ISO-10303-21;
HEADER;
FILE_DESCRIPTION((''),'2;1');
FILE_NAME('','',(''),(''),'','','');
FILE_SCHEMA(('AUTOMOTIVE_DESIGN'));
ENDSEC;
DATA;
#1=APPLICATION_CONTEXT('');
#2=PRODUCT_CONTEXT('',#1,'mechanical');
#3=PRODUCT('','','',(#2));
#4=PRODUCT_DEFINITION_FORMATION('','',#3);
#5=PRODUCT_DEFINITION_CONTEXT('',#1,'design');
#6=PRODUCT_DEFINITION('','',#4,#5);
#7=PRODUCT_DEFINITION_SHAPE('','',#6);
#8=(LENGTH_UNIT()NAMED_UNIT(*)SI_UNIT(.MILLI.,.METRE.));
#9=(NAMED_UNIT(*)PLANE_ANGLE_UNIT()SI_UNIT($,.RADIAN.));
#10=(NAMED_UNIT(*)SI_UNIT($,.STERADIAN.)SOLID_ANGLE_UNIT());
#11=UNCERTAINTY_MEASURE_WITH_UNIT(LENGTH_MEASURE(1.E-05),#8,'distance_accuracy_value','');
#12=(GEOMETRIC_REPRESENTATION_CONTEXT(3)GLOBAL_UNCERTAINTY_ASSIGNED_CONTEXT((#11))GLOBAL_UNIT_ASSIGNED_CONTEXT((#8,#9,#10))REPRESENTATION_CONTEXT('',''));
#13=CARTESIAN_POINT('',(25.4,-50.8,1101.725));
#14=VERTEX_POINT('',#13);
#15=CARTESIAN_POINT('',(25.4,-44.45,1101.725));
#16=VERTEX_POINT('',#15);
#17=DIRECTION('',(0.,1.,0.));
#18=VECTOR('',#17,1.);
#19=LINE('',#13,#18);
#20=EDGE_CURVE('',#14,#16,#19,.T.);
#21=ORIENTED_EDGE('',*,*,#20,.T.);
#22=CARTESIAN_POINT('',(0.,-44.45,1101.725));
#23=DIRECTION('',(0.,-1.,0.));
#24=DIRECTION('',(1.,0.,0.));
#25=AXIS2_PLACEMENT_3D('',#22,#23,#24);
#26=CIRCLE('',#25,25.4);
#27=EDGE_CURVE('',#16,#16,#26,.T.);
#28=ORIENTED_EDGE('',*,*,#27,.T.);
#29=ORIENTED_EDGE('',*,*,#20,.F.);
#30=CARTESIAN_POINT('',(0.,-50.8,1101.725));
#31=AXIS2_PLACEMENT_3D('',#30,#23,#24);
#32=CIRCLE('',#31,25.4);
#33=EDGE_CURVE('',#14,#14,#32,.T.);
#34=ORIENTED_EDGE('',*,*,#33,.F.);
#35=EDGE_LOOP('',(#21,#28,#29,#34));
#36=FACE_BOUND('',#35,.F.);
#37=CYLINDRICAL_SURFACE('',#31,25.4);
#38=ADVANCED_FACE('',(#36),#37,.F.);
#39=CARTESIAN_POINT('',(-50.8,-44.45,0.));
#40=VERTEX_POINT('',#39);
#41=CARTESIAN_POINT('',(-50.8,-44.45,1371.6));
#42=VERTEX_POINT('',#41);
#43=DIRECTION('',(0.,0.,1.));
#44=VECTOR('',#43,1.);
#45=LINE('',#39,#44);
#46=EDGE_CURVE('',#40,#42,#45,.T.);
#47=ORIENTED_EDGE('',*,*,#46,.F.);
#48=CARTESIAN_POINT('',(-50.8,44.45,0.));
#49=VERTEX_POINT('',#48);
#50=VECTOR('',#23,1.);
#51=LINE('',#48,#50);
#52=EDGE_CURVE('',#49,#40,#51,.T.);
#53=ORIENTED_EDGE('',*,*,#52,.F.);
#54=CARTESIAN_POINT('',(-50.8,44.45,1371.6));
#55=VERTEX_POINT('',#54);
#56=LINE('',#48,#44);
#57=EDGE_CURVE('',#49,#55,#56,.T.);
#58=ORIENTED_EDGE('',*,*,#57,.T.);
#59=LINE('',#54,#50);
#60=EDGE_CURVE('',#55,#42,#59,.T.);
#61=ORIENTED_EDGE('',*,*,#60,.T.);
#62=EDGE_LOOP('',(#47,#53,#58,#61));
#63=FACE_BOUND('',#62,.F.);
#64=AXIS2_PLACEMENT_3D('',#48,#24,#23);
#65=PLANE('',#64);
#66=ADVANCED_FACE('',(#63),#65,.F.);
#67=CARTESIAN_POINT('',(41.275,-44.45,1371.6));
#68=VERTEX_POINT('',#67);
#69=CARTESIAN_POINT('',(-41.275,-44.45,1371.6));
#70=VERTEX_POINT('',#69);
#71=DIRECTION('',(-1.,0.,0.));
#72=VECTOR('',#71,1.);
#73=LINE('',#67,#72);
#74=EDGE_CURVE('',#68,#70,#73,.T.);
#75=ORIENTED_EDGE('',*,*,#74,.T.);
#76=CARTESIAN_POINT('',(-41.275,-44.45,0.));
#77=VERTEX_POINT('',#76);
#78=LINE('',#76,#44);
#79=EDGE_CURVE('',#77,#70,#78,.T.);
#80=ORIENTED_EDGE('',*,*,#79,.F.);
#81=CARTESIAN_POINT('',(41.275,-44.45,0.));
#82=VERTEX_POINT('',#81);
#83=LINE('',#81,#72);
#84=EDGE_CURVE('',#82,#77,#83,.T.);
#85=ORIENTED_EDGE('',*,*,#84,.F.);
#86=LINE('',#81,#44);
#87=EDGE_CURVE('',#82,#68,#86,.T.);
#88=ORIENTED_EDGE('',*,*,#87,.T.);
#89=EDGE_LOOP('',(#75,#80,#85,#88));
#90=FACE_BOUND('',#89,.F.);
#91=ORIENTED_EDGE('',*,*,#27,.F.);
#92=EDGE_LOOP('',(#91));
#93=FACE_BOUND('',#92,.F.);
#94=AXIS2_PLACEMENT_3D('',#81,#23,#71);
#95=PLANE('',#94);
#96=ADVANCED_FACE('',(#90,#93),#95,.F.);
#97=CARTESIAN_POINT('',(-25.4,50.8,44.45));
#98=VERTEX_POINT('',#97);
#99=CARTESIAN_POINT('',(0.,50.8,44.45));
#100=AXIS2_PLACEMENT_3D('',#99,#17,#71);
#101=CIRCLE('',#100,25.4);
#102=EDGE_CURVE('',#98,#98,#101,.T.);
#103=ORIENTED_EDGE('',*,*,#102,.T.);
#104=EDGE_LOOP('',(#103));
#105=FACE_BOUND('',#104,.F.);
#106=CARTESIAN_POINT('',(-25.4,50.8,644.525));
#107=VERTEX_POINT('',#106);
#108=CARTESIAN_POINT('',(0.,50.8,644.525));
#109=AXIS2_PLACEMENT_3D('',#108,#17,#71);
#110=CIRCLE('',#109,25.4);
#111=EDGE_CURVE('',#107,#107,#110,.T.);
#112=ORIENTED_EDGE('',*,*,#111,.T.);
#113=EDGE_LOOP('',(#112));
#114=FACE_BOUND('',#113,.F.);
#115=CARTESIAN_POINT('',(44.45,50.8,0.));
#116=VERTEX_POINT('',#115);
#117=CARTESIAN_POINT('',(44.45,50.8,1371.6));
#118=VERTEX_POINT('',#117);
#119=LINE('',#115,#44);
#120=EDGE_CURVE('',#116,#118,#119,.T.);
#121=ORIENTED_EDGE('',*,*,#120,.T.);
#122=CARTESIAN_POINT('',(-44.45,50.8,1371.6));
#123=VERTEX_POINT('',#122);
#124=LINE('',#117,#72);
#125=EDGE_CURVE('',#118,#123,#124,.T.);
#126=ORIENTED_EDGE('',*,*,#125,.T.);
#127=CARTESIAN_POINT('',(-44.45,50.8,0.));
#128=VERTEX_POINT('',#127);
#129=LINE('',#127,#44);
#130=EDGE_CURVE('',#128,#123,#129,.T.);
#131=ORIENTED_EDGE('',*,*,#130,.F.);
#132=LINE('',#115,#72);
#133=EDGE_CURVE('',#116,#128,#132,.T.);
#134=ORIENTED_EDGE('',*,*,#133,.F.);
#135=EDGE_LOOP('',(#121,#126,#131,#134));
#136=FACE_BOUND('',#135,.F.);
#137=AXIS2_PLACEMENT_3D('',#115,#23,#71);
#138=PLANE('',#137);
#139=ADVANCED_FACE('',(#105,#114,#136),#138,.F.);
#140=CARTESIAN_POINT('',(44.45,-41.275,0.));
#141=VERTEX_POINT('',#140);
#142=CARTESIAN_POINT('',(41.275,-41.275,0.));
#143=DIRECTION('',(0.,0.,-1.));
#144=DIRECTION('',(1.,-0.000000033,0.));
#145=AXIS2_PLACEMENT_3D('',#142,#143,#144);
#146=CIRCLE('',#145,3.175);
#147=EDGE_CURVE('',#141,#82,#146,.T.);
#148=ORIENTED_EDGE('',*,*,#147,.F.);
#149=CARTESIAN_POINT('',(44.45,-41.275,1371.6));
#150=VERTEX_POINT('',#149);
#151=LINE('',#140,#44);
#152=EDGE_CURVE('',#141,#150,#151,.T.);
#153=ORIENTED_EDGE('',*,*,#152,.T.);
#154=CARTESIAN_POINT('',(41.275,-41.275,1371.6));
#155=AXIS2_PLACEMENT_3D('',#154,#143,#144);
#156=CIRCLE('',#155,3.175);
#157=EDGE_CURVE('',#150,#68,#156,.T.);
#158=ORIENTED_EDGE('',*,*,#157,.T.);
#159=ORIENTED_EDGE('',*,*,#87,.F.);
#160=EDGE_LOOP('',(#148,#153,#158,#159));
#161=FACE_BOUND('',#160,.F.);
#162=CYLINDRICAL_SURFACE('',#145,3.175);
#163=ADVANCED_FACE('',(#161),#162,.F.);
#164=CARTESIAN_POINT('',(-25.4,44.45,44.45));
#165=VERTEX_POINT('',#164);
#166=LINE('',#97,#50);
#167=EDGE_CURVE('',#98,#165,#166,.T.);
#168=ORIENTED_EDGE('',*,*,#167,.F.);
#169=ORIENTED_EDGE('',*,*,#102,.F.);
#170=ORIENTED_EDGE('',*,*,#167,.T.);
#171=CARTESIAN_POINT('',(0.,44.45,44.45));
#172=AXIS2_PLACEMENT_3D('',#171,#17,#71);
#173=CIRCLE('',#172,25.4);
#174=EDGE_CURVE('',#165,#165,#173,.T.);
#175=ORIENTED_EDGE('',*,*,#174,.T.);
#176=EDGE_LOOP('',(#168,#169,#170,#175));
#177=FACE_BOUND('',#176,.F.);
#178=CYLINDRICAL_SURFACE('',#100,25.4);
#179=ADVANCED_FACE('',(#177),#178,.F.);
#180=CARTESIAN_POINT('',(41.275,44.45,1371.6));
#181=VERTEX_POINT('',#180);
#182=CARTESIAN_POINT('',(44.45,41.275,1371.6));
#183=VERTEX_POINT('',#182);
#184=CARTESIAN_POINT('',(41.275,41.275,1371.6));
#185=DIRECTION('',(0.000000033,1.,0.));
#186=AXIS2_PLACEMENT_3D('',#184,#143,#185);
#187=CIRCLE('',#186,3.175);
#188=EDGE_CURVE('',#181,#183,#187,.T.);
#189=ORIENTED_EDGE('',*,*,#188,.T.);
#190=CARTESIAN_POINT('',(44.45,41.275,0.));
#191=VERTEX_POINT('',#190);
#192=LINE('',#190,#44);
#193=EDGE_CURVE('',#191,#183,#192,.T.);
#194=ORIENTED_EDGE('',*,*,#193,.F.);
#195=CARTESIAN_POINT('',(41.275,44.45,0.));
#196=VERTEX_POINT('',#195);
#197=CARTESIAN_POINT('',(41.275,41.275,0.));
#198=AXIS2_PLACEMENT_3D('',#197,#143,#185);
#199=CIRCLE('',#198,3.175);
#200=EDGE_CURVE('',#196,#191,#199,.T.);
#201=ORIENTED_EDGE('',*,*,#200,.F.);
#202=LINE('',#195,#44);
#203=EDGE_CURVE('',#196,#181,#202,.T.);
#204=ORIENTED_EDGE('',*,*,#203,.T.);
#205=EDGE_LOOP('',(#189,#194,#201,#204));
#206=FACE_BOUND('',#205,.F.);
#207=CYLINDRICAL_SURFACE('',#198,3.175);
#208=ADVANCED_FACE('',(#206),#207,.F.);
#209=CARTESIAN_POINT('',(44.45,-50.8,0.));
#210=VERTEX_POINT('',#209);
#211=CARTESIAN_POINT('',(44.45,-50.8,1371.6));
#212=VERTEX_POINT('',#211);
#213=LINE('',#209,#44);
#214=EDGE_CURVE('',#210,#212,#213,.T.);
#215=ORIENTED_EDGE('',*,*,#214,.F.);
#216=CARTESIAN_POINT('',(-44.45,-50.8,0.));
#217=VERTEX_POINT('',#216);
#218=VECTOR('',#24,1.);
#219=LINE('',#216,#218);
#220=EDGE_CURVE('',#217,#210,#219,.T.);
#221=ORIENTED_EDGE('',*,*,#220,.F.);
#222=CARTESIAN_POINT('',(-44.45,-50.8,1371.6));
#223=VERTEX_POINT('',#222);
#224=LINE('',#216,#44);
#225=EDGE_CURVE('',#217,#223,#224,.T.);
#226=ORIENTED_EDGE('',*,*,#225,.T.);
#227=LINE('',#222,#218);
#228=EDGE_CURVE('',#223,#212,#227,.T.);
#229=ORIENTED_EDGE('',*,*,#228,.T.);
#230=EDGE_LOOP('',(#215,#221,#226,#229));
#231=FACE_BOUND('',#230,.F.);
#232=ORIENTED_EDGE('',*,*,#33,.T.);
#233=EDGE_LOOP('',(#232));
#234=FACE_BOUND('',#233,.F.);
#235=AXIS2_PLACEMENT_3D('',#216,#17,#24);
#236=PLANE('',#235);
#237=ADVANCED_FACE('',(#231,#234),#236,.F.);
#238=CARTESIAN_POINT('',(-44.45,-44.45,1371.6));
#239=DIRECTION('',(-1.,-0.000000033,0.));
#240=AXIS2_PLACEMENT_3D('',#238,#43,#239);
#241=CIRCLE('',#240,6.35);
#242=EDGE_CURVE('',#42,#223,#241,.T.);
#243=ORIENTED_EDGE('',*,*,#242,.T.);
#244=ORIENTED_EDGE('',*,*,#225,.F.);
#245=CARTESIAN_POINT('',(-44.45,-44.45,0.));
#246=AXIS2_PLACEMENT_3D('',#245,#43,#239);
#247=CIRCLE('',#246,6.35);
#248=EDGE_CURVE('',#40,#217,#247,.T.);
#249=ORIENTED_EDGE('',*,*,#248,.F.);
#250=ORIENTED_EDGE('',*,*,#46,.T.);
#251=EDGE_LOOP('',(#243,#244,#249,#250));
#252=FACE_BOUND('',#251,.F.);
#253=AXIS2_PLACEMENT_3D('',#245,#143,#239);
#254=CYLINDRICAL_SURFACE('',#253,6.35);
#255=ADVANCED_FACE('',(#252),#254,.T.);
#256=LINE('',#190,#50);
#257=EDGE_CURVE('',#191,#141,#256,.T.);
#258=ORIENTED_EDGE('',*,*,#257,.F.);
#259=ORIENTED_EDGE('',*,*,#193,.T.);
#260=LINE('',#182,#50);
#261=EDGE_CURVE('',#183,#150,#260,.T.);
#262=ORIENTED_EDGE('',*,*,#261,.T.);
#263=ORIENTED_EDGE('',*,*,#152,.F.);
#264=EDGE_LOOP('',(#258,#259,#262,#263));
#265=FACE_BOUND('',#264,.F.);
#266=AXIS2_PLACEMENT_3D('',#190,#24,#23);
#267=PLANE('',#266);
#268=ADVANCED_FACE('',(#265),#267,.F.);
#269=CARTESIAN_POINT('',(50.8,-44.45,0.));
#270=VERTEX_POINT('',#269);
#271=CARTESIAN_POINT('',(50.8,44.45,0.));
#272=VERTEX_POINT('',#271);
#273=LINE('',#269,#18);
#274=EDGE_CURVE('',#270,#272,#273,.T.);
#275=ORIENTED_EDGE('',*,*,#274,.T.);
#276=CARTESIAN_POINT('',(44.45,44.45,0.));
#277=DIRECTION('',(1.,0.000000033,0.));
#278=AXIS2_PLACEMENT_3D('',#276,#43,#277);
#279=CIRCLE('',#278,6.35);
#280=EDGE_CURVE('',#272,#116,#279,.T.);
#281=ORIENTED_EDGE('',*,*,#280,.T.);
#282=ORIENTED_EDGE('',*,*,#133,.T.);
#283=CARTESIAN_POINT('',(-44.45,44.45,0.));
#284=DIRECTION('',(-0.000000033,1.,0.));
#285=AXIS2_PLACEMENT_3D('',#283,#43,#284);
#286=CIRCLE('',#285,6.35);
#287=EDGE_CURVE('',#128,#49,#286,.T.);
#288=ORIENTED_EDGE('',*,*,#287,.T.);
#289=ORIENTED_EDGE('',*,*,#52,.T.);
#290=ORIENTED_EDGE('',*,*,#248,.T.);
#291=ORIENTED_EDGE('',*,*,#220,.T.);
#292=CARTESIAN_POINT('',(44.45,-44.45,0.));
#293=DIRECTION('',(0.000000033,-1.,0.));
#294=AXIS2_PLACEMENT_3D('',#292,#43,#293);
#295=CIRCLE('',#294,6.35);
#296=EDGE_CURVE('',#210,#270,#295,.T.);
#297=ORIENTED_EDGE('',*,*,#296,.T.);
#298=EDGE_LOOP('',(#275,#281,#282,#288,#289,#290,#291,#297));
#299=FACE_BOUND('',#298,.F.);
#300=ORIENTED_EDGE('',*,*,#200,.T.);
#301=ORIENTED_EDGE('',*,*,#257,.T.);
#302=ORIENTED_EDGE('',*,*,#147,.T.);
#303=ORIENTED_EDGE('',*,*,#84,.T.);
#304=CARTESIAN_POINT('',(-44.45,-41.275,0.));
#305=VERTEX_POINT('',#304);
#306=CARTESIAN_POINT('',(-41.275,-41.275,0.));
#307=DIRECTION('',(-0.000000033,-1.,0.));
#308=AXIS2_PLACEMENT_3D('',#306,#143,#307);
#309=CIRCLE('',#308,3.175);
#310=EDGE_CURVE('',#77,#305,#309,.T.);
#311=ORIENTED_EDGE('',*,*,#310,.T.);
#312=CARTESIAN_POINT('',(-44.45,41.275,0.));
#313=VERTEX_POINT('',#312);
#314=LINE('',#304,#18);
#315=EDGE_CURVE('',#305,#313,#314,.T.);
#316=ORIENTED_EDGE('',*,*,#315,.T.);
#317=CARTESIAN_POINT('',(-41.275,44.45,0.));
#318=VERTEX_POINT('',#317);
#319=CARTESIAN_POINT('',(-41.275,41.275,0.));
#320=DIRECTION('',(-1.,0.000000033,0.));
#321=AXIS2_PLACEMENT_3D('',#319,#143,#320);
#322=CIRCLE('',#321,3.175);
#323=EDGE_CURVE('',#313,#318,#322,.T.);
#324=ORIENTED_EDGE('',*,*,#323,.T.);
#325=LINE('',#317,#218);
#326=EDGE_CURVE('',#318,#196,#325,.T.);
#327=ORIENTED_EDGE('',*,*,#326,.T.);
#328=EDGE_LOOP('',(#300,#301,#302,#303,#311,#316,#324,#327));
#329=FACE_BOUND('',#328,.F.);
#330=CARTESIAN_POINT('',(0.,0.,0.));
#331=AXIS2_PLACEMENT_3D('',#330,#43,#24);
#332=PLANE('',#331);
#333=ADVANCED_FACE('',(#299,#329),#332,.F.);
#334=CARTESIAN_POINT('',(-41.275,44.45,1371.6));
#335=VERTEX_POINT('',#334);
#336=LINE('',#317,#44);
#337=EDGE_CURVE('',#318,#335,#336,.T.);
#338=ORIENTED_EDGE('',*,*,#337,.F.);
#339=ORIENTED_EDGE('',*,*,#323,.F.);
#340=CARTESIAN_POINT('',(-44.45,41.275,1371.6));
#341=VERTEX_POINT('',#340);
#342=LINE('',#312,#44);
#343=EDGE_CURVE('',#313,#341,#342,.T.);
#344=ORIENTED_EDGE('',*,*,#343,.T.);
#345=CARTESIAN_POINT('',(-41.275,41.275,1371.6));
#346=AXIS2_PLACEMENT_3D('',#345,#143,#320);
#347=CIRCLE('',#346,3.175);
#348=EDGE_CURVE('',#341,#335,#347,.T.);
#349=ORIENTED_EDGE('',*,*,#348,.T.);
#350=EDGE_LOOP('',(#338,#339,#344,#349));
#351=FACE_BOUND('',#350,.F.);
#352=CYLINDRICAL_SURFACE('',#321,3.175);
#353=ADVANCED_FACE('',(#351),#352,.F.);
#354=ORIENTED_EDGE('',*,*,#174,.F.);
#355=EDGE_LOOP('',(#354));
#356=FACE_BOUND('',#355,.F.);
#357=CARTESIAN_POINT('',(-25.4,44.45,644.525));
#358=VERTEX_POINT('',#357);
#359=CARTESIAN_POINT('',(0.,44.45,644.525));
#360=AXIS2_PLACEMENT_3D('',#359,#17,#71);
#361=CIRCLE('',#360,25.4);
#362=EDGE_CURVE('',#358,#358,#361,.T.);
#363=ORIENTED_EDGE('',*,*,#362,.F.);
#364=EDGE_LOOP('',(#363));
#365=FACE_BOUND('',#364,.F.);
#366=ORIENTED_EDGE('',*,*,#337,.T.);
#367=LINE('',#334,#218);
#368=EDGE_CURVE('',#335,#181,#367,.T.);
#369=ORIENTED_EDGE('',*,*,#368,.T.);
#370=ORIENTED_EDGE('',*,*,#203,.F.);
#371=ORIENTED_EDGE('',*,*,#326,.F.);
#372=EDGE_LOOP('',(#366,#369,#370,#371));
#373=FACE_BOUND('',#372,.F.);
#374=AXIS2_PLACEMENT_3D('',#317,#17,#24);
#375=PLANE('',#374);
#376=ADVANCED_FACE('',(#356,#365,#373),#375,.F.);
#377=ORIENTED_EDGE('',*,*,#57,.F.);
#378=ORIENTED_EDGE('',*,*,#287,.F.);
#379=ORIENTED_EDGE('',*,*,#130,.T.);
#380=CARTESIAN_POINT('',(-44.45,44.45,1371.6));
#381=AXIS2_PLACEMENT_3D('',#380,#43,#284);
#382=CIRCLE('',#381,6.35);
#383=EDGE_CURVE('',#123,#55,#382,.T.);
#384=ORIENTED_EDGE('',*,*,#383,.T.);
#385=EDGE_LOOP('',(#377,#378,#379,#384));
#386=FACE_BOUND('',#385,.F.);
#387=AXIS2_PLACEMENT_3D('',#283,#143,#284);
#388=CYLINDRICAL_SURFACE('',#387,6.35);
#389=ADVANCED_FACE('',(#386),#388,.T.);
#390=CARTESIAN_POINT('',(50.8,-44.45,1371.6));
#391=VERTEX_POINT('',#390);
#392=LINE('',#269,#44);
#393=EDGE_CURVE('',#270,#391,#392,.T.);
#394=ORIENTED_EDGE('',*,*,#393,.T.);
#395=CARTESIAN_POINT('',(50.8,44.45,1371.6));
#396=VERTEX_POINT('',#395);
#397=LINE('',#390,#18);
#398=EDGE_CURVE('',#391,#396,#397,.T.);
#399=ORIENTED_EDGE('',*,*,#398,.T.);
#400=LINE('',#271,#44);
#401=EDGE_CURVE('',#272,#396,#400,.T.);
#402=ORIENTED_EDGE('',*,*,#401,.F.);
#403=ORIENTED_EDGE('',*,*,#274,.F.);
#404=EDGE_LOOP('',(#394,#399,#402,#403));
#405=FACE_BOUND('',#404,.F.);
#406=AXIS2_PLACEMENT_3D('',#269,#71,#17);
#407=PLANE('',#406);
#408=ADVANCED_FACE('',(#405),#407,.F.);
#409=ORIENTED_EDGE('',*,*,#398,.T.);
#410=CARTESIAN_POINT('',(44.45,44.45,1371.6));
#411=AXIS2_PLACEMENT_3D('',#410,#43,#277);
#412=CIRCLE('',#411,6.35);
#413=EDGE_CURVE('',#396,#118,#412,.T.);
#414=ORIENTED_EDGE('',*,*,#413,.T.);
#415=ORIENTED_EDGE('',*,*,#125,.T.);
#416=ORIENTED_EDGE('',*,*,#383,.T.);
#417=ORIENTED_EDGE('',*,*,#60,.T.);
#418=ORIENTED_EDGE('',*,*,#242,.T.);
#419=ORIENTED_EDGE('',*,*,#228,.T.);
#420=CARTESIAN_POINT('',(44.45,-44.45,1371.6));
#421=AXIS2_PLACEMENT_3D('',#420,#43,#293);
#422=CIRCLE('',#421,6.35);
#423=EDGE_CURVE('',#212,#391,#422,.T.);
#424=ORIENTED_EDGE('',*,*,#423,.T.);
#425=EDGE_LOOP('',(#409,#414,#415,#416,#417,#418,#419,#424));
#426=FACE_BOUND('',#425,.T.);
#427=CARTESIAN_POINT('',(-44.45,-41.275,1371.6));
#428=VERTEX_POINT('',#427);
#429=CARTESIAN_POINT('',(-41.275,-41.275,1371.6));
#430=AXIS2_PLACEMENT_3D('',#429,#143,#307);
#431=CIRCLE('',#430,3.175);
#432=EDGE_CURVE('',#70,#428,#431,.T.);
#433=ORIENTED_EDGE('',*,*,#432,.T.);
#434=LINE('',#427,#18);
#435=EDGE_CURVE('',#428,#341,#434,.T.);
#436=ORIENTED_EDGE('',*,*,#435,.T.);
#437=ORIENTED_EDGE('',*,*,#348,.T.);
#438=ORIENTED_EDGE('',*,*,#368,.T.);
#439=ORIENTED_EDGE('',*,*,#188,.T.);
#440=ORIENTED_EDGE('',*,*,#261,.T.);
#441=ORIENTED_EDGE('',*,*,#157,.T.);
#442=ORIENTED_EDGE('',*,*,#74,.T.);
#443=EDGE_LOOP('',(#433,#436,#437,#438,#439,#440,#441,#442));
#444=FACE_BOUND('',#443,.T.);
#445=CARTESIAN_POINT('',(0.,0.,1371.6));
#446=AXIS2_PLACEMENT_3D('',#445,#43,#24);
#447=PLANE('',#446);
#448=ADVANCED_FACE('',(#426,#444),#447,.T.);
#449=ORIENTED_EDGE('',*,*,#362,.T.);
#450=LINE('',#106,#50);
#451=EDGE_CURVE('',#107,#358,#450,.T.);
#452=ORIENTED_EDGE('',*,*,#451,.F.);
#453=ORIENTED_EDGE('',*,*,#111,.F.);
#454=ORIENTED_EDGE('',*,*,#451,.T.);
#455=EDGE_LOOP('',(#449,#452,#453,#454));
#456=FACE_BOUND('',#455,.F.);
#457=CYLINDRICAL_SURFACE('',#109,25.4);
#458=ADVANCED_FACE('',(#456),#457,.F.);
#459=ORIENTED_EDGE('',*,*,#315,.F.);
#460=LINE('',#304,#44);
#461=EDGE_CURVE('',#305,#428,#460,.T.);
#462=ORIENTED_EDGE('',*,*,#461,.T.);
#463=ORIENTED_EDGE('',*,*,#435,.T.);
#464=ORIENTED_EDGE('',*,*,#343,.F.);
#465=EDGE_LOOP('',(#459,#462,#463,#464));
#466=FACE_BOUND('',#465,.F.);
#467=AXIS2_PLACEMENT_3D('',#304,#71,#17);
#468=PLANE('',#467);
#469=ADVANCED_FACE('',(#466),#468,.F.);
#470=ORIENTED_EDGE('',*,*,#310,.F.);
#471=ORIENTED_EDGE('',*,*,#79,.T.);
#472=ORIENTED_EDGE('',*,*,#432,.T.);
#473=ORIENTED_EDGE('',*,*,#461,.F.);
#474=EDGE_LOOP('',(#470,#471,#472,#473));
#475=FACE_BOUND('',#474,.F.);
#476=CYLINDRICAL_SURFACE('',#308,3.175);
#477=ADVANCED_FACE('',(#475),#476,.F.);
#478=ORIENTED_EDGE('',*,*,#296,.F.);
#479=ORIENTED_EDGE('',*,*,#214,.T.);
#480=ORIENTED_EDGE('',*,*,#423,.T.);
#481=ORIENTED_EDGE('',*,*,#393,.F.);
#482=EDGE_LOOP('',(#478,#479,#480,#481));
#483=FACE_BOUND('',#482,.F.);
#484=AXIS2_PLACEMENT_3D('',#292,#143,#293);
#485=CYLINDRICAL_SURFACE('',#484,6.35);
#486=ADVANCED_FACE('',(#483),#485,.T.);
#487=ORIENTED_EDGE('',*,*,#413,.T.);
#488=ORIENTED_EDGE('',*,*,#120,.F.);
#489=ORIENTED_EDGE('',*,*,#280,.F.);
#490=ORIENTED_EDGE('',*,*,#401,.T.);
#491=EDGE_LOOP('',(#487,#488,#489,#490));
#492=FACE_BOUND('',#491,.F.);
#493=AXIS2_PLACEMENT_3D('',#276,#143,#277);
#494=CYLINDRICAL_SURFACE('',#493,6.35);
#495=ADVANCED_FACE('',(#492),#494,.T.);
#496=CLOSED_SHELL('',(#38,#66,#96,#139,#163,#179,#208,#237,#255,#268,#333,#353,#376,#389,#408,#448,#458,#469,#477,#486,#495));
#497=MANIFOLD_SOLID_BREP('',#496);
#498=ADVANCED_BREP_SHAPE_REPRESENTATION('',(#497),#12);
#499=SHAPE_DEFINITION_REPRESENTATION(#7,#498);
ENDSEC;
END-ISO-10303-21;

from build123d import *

# Parameters (mm, degrees)
F1_DEPTH = 1371.6
F2_R     = 25.4
F3_DEPTH = 6.35
F4_R     = 25.4
F5_DEPTH = 6.35


with BuildPart() as f1:
    # F0 (on Top) → F1 (new body)
    with BuildSketch(Plane.XY):
        with BuildLine():
            Line((44.45, 50.8), (-44.45, 50.8))
            ThreePointArc((-44.45, 50.8), (-48.940128, 48.940128), (-50.8, 44.45))
            Line((-50.8, 44.45), (-50.8, -44.45))
            ThreePointArc((-50.8, -44.45), (-48.940128, -48.940128), (-44.45, -50.8))
            Line((-44.45, -50.8), (44.45, -50.8))
            ThreePointArc((44.45, -50.8), (48.940128, -48.940128), (50.8, -44.45))
            Line((50.8, -44.45), (50.8, 44.45))
            ThreePointArc((50.8, 44.45), (48.940128, 48.940128), (44.45, 50.8))
        make_face()
        with BuildLine():
            ThreePointArc((-44.45, 41.275), (-43.520064, 43.520064), (-41.275, 44.45))
            Line((-41.275, 44.45), (41.275, 44.45))
            ThreePointArc((41.275, 44.45), (43.520064, 43.520064), (44.45, 41.275))
            Line((44.45, 41.275), (44.45, -41.275))
            ThreePointArc((44.45, -41.275), (43.520064, -43.520064), (41.275, -44.45))
            Line((41.275, -44.45), (-41.275, -44.45))
            ThreePointArc((-41.275, -44.45), (-43.520064, -43.520064), (-44.45, -41.275))
            Line((-44.45, -41.275), (-44.45, 41.275))
        make_face(mode=Mode.SUBTRACT)
    extrude(amount=F1_DEPTH)

    # F2 (on face) → F3 (cut, through all)
    with BuildSketch(Plane(origin=(0, 50.8, 0), x_dir=(-1, 0, 0), z_dir=(0, 1, 0))):
        with Locations((0, 644.525)):
            Circle(F2_R)
        with Locations((0, 44.45)):
            Circle(F2_R)
    extrude(amount=-F3_DEPTH, mode=Mode.SUBTRACT)

    # F4 (on face) → F5 (cut, through all)
    with BuildSketch(Plane.XZ.offset(50.8)):
        with Locations((0, 1101.725)):
            Circle(F4_R)
    extrude(amount=-F5_DEPTH, mode=Mode.SUBTRACT)


solid = f1.part
